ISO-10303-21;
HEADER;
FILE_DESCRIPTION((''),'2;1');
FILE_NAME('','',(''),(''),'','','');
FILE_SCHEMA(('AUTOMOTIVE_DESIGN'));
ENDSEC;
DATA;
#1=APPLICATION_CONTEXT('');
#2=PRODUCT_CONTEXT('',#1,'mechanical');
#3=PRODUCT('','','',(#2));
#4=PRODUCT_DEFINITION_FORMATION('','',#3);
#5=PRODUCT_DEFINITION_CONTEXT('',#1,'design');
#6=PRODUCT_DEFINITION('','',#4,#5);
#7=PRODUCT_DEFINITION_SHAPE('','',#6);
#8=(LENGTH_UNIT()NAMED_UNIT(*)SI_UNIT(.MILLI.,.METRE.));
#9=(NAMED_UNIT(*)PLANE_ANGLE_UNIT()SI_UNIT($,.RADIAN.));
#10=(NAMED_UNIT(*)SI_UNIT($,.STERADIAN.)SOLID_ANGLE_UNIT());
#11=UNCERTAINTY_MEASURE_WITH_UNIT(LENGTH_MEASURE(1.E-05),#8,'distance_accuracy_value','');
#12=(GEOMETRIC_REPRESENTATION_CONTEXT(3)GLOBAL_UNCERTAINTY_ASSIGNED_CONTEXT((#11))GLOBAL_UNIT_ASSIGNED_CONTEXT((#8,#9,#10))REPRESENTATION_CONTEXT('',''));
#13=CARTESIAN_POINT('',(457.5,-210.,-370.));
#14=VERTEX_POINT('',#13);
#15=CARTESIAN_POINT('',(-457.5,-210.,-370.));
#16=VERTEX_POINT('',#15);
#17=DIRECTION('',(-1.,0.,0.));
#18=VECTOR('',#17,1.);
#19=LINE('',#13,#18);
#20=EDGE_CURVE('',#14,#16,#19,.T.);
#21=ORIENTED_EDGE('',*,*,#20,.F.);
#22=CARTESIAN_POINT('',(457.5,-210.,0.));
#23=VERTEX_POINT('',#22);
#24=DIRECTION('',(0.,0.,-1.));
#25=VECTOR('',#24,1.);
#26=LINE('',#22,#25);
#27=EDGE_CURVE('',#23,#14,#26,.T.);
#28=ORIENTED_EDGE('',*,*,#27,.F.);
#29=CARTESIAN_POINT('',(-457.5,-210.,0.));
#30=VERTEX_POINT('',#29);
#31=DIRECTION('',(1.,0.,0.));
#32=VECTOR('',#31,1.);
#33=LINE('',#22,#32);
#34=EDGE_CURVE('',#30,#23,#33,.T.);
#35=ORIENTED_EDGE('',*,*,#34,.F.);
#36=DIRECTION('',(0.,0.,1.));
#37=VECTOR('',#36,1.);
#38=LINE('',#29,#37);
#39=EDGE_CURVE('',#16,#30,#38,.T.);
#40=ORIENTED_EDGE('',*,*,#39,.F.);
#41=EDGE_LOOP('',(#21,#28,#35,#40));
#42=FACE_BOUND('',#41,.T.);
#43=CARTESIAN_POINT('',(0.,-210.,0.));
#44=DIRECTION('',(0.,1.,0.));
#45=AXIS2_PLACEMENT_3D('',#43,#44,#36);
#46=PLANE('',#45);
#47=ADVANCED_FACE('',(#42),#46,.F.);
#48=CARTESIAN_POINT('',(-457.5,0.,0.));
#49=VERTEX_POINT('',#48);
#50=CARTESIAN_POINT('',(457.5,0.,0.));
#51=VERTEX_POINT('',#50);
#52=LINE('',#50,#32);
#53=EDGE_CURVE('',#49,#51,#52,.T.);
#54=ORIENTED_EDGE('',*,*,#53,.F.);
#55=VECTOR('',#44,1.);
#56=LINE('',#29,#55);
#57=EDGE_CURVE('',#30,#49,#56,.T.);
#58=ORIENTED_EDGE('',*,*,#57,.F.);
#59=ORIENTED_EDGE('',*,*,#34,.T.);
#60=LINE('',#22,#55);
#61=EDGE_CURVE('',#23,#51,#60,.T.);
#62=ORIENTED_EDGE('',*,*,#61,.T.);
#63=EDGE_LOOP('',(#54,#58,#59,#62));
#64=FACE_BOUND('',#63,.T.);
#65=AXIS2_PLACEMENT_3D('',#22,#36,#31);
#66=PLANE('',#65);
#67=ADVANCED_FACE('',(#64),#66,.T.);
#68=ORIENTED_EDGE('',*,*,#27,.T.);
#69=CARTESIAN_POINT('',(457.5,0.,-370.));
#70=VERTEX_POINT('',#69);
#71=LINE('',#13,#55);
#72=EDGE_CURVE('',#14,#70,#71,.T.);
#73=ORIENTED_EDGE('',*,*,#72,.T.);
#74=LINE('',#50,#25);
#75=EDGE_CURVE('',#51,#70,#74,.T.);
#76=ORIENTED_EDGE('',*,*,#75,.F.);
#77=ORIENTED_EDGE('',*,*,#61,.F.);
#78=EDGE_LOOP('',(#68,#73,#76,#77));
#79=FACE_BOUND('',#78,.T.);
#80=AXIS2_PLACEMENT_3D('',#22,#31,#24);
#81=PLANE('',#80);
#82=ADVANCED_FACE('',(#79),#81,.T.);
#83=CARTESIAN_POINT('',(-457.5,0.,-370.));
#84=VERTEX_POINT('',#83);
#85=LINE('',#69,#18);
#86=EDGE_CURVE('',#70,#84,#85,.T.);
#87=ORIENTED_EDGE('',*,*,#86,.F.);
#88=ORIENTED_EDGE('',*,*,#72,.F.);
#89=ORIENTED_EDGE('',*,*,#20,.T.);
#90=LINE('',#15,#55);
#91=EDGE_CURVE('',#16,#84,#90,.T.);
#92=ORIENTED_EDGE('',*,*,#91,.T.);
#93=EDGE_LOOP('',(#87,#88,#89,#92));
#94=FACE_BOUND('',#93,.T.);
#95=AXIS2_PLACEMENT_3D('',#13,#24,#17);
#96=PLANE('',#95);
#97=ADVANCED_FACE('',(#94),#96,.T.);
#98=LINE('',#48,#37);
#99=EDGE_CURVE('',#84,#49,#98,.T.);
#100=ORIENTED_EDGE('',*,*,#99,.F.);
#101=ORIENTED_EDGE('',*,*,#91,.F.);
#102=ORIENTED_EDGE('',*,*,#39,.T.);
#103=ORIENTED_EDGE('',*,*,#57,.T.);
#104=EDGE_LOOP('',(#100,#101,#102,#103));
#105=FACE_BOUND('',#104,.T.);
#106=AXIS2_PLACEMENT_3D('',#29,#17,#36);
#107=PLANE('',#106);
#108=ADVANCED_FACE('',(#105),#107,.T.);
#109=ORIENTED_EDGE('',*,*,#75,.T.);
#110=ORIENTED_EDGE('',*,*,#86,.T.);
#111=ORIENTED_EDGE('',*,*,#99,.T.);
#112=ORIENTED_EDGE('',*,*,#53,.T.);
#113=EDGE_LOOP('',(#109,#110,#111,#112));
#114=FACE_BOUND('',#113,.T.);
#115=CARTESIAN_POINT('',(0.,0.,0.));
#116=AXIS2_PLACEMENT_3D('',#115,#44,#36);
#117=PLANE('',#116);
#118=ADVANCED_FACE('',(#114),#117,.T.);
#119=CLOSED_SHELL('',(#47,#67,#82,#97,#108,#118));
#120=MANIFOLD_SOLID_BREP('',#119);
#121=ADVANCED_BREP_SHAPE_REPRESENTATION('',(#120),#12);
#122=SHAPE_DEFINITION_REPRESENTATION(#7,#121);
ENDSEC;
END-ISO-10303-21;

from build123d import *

# Parameters (mm, degrees)
SKETCH1_W           = 915
SKETCH1_H           = 370
BOSS_EXTRUDE1_DEPTH = 210


with BuildPart() as part:
    # Sketch1 → Boss-Extrude1 (new body)
    with BuildSketch(Plane(origin=(0, 0, 0), x_dir=(1, 0, 0), z_dir=(0, 1, 0))):
        with Locations((0, 185)):
            Rectangle(SKETCH1_W, SKETCH1_H)
    extrude(amount=-BOSS_EXTRUDE1_DEPTH)


solid = part.part
